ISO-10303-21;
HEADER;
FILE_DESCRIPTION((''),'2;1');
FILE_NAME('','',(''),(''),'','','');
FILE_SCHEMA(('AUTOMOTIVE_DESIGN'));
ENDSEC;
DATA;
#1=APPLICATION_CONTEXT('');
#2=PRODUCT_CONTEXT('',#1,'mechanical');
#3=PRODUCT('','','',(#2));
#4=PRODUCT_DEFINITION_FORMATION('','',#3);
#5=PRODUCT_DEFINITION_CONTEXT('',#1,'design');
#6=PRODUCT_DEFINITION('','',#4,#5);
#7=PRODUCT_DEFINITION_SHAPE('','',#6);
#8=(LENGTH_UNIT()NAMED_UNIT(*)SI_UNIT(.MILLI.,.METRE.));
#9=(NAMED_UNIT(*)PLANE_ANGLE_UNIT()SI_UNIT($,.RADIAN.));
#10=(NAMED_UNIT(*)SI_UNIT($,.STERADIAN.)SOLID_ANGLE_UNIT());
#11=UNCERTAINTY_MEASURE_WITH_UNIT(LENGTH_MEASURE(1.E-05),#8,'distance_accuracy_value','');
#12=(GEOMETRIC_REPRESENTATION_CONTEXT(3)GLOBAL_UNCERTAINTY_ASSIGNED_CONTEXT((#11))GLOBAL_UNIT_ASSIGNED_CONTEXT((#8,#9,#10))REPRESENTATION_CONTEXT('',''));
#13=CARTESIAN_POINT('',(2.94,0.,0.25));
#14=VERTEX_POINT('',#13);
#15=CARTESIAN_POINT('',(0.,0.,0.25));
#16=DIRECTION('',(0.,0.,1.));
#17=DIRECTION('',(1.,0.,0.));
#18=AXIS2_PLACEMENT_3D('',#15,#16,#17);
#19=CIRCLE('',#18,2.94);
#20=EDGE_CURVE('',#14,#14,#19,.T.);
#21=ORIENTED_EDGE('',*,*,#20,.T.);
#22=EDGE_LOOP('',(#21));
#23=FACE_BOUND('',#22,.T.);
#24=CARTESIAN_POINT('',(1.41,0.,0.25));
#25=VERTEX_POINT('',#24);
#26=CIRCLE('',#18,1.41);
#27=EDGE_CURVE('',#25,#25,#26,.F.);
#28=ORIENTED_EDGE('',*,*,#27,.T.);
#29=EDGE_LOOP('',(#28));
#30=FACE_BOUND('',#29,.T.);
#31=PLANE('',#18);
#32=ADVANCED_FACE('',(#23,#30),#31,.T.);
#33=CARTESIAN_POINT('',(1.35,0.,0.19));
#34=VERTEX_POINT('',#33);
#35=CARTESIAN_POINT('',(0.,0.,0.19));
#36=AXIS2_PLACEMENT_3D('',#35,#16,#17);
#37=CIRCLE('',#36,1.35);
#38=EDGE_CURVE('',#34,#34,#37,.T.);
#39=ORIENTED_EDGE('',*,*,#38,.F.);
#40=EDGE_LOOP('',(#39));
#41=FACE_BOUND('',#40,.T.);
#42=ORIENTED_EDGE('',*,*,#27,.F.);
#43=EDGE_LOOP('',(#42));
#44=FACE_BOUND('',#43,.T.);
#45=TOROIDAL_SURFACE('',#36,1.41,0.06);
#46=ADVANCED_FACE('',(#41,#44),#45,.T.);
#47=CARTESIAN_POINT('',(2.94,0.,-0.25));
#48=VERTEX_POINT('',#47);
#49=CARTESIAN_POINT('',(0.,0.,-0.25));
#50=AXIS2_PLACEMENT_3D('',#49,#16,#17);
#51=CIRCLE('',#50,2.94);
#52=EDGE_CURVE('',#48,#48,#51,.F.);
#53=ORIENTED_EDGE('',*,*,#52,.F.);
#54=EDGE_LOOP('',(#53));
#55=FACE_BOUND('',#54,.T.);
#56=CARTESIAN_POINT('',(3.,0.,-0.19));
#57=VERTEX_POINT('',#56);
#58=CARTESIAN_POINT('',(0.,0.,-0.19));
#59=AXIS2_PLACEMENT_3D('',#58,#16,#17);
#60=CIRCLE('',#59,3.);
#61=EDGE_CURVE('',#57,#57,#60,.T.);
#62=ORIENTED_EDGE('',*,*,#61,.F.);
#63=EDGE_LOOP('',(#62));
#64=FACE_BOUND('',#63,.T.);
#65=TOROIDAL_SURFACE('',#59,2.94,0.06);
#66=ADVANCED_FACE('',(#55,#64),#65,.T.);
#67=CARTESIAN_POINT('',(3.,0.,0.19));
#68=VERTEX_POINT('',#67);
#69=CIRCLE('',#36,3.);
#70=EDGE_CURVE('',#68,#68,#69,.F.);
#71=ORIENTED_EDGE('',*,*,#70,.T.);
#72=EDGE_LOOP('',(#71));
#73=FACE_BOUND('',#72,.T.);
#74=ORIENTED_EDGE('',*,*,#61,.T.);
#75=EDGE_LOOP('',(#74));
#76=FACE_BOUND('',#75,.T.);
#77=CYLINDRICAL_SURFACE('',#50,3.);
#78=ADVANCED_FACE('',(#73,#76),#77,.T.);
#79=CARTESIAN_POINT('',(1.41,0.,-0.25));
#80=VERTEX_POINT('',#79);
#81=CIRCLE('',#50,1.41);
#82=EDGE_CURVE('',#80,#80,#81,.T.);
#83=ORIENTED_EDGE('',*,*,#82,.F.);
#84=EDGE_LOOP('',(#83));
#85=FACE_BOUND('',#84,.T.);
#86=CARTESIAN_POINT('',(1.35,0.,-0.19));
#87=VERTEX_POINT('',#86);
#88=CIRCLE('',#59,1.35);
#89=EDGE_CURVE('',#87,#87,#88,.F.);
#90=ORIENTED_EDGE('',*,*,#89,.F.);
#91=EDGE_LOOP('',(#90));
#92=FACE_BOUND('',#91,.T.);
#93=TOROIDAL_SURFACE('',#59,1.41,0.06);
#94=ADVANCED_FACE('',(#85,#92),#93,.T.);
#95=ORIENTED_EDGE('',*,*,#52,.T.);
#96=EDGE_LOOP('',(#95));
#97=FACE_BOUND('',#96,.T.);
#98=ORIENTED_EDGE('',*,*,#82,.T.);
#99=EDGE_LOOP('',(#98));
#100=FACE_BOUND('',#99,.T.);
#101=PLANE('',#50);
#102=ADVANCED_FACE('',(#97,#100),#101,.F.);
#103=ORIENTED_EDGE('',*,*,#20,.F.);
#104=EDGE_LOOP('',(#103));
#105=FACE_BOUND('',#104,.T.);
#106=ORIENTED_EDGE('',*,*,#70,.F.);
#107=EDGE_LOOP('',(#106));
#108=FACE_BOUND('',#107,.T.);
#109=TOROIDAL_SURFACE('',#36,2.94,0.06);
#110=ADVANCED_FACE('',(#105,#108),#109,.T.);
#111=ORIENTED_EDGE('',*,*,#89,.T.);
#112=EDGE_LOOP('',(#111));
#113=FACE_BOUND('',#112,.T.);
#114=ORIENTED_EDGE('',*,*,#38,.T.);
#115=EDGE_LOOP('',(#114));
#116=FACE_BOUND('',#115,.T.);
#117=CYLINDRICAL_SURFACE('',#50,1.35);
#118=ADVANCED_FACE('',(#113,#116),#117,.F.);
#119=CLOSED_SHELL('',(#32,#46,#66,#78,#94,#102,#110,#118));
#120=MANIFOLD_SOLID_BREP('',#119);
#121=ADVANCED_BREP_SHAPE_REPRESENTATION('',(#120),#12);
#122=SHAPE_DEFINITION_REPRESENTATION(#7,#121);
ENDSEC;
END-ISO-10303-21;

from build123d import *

# Parameters (mm, degrees)
BOSS_EXTRUDE1_START = 0.25
SKETCH3_R           = 3
SKETCH3_R_2         = 1.35
BOSS_EXTRUDE1_DEPTH = 0.5
FILLET1_R           = 0.06


with BuildPart() as part:
    # Sketch3 → Boss-Extrude1 (new body)
    with BuildSketch(Plane.XY.offset(BOSS_EXTRUDE1_START)):
        Circle(SKETCH3_R)
        Circle(SKETCH3_R_2, mode=Mode.SUBTRACT)
    extrude(amount=-BOSS_EXTRUDE1_DEPTH)

    # Fillet1
    fillet1_edges = [part.edges().sort_by_distance(p)[0] for p in [
        (-3, 0, 0.25),
        (-3, 0, -0.25),
        (-1.35, 0, -0.25),
        (-1.35, 0, 0.25),
    ]]
    fillet(fillet1_edges, radius=FILLET1_R)


solid = part.part
